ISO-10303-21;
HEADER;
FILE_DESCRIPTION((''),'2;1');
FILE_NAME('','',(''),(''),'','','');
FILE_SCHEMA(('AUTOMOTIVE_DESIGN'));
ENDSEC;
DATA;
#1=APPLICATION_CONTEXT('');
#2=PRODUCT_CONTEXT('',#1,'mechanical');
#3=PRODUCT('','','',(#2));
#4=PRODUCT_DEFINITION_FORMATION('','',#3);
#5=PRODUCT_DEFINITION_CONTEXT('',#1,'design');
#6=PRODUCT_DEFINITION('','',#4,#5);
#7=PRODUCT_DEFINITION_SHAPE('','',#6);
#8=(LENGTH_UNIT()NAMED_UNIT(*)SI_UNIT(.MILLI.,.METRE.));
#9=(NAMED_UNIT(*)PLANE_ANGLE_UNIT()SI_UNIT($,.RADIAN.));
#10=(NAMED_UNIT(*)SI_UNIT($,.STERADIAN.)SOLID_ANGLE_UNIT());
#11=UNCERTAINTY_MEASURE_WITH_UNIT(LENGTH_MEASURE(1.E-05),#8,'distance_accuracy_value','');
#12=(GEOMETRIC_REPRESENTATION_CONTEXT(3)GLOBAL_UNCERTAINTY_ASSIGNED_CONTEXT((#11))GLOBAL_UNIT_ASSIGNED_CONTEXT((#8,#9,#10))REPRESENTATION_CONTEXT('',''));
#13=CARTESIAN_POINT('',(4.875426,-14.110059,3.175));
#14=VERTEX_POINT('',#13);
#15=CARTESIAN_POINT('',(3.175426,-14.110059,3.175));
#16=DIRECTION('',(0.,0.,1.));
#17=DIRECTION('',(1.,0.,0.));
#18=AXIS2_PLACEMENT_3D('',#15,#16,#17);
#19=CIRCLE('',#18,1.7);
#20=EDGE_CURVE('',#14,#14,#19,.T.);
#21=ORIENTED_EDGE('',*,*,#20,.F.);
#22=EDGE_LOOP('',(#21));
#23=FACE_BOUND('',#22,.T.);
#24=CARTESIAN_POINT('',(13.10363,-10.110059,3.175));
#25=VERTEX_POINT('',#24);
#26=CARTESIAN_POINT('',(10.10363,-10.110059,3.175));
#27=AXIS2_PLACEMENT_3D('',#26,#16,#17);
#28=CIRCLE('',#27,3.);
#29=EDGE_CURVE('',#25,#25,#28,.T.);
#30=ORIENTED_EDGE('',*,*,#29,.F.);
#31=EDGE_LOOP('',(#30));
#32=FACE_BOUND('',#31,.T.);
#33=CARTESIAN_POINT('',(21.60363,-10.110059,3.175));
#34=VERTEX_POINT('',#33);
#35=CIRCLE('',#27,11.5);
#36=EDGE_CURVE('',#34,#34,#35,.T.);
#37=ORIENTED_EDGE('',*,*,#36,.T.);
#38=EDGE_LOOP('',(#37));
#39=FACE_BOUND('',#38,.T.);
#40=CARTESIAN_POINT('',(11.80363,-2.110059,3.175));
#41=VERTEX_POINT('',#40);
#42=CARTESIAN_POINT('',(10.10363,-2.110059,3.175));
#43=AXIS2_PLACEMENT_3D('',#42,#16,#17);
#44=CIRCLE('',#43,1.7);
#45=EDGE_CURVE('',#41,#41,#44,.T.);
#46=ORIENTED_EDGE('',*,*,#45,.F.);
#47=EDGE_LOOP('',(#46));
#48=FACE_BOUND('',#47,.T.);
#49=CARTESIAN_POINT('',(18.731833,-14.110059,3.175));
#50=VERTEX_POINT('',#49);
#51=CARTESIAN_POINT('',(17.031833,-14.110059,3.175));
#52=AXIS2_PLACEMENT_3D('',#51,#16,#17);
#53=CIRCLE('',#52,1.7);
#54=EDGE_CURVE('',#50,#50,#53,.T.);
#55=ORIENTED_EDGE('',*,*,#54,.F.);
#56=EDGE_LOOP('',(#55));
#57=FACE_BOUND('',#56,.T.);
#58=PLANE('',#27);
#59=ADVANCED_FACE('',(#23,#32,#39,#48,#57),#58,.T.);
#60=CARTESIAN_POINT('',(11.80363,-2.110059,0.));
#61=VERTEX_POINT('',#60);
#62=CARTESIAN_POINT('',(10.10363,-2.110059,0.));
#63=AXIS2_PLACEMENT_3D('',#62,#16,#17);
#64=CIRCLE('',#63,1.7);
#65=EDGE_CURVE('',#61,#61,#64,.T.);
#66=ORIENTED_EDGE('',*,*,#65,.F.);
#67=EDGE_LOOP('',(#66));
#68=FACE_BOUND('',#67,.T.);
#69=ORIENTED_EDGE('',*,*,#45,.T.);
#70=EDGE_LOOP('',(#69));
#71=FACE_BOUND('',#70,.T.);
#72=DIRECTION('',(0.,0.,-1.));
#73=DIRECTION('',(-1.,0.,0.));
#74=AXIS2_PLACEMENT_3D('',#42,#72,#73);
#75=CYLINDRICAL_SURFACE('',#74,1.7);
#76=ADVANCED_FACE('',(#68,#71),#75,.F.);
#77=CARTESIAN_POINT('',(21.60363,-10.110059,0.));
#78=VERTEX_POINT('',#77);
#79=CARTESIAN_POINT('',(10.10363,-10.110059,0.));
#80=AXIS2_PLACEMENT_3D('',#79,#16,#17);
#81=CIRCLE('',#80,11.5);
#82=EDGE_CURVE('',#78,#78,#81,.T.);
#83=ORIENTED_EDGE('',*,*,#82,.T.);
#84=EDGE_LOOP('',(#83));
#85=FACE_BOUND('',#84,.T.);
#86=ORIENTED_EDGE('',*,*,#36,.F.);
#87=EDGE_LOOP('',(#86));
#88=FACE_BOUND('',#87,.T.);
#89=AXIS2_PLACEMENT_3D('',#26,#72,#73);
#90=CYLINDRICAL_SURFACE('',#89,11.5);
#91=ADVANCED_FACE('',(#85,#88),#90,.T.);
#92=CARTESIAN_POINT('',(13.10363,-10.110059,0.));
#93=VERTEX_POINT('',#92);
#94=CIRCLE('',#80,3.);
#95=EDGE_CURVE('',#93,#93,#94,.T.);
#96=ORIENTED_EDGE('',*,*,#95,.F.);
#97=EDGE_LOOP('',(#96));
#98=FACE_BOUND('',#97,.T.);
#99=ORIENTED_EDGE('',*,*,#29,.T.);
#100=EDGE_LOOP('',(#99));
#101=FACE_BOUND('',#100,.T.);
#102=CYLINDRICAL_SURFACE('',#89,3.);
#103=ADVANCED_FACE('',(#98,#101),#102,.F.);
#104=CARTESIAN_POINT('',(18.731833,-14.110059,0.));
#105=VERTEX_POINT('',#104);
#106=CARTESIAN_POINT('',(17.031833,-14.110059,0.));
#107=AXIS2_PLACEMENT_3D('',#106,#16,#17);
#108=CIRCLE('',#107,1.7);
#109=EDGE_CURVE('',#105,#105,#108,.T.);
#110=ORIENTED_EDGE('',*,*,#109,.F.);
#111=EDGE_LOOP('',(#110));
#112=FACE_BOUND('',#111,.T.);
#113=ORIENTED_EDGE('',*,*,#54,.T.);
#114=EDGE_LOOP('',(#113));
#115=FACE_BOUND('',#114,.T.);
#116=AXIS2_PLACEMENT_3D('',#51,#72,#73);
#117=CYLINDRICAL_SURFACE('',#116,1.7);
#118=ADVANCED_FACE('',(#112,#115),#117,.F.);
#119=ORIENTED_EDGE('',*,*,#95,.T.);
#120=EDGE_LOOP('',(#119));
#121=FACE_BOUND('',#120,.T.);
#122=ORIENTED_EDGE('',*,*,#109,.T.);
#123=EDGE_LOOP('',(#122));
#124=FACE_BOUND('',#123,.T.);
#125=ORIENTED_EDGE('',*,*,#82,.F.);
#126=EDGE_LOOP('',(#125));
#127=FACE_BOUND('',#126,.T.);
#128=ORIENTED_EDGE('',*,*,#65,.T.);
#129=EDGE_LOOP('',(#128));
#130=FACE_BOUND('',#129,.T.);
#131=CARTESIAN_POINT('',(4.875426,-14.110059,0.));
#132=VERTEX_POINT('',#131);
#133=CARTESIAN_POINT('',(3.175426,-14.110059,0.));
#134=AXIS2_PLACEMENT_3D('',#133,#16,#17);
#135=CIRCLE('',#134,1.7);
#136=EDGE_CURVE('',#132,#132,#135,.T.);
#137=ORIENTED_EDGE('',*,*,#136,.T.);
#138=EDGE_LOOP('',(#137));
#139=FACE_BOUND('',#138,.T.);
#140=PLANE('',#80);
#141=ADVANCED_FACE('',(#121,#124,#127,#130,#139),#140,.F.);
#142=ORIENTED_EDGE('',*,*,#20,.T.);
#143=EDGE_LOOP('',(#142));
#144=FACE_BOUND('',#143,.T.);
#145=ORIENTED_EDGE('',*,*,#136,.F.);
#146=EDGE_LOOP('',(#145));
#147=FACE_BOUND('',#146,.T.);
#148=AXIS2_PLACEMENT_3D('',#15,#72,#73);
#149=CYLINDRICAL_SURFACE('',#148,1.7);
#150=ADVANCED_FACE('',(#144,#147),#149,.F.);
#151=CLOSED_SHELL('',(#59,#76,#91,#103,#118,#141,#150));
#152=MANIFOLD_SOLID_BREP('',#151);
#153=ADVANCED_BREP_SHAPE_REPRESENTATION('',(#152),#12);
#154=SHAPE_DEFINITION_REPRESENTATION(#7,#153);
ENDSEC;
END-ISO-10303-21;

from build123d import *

# Parameters (mm, degrees)
SKETCH1_R           = 11.5
SKETCH1_R_2         = 3
SKETCH1_R_3         = 1.7
BOSS_EXTRUDE1_DEPTH = 3.175


with BuildPart() as part:
    # Sketch1 → Boss-Extrude1 (new body)
    with BuildSketch(Plane.XY):
        with Locations((10.103629711, -10.110058712)):
            Circle(SKETCH1_R)
        with Locations((10.103629711, -10.110058712)):
            Circle(SKETCH1_R_2, mode=Mode.SUBTRACT)
        with Locations((3.175426481, -14.110058712)):
            Circle(SKETCH1_R_3, mode=Mode.SUBTRACT)
        with Locations((17.031832941, -14.110058712)):
            Circle(SKETCH1_R_3, mode=Mode.SUBTRACT)
        with Locations((10.103629711, -2.110058712)):
            Circle(SKETCH1_R_3, mode=Mode.SUBTRACT)
    extrude(amount=BOSS_EXTRUDE1_DEPTH)


solid = part.part
